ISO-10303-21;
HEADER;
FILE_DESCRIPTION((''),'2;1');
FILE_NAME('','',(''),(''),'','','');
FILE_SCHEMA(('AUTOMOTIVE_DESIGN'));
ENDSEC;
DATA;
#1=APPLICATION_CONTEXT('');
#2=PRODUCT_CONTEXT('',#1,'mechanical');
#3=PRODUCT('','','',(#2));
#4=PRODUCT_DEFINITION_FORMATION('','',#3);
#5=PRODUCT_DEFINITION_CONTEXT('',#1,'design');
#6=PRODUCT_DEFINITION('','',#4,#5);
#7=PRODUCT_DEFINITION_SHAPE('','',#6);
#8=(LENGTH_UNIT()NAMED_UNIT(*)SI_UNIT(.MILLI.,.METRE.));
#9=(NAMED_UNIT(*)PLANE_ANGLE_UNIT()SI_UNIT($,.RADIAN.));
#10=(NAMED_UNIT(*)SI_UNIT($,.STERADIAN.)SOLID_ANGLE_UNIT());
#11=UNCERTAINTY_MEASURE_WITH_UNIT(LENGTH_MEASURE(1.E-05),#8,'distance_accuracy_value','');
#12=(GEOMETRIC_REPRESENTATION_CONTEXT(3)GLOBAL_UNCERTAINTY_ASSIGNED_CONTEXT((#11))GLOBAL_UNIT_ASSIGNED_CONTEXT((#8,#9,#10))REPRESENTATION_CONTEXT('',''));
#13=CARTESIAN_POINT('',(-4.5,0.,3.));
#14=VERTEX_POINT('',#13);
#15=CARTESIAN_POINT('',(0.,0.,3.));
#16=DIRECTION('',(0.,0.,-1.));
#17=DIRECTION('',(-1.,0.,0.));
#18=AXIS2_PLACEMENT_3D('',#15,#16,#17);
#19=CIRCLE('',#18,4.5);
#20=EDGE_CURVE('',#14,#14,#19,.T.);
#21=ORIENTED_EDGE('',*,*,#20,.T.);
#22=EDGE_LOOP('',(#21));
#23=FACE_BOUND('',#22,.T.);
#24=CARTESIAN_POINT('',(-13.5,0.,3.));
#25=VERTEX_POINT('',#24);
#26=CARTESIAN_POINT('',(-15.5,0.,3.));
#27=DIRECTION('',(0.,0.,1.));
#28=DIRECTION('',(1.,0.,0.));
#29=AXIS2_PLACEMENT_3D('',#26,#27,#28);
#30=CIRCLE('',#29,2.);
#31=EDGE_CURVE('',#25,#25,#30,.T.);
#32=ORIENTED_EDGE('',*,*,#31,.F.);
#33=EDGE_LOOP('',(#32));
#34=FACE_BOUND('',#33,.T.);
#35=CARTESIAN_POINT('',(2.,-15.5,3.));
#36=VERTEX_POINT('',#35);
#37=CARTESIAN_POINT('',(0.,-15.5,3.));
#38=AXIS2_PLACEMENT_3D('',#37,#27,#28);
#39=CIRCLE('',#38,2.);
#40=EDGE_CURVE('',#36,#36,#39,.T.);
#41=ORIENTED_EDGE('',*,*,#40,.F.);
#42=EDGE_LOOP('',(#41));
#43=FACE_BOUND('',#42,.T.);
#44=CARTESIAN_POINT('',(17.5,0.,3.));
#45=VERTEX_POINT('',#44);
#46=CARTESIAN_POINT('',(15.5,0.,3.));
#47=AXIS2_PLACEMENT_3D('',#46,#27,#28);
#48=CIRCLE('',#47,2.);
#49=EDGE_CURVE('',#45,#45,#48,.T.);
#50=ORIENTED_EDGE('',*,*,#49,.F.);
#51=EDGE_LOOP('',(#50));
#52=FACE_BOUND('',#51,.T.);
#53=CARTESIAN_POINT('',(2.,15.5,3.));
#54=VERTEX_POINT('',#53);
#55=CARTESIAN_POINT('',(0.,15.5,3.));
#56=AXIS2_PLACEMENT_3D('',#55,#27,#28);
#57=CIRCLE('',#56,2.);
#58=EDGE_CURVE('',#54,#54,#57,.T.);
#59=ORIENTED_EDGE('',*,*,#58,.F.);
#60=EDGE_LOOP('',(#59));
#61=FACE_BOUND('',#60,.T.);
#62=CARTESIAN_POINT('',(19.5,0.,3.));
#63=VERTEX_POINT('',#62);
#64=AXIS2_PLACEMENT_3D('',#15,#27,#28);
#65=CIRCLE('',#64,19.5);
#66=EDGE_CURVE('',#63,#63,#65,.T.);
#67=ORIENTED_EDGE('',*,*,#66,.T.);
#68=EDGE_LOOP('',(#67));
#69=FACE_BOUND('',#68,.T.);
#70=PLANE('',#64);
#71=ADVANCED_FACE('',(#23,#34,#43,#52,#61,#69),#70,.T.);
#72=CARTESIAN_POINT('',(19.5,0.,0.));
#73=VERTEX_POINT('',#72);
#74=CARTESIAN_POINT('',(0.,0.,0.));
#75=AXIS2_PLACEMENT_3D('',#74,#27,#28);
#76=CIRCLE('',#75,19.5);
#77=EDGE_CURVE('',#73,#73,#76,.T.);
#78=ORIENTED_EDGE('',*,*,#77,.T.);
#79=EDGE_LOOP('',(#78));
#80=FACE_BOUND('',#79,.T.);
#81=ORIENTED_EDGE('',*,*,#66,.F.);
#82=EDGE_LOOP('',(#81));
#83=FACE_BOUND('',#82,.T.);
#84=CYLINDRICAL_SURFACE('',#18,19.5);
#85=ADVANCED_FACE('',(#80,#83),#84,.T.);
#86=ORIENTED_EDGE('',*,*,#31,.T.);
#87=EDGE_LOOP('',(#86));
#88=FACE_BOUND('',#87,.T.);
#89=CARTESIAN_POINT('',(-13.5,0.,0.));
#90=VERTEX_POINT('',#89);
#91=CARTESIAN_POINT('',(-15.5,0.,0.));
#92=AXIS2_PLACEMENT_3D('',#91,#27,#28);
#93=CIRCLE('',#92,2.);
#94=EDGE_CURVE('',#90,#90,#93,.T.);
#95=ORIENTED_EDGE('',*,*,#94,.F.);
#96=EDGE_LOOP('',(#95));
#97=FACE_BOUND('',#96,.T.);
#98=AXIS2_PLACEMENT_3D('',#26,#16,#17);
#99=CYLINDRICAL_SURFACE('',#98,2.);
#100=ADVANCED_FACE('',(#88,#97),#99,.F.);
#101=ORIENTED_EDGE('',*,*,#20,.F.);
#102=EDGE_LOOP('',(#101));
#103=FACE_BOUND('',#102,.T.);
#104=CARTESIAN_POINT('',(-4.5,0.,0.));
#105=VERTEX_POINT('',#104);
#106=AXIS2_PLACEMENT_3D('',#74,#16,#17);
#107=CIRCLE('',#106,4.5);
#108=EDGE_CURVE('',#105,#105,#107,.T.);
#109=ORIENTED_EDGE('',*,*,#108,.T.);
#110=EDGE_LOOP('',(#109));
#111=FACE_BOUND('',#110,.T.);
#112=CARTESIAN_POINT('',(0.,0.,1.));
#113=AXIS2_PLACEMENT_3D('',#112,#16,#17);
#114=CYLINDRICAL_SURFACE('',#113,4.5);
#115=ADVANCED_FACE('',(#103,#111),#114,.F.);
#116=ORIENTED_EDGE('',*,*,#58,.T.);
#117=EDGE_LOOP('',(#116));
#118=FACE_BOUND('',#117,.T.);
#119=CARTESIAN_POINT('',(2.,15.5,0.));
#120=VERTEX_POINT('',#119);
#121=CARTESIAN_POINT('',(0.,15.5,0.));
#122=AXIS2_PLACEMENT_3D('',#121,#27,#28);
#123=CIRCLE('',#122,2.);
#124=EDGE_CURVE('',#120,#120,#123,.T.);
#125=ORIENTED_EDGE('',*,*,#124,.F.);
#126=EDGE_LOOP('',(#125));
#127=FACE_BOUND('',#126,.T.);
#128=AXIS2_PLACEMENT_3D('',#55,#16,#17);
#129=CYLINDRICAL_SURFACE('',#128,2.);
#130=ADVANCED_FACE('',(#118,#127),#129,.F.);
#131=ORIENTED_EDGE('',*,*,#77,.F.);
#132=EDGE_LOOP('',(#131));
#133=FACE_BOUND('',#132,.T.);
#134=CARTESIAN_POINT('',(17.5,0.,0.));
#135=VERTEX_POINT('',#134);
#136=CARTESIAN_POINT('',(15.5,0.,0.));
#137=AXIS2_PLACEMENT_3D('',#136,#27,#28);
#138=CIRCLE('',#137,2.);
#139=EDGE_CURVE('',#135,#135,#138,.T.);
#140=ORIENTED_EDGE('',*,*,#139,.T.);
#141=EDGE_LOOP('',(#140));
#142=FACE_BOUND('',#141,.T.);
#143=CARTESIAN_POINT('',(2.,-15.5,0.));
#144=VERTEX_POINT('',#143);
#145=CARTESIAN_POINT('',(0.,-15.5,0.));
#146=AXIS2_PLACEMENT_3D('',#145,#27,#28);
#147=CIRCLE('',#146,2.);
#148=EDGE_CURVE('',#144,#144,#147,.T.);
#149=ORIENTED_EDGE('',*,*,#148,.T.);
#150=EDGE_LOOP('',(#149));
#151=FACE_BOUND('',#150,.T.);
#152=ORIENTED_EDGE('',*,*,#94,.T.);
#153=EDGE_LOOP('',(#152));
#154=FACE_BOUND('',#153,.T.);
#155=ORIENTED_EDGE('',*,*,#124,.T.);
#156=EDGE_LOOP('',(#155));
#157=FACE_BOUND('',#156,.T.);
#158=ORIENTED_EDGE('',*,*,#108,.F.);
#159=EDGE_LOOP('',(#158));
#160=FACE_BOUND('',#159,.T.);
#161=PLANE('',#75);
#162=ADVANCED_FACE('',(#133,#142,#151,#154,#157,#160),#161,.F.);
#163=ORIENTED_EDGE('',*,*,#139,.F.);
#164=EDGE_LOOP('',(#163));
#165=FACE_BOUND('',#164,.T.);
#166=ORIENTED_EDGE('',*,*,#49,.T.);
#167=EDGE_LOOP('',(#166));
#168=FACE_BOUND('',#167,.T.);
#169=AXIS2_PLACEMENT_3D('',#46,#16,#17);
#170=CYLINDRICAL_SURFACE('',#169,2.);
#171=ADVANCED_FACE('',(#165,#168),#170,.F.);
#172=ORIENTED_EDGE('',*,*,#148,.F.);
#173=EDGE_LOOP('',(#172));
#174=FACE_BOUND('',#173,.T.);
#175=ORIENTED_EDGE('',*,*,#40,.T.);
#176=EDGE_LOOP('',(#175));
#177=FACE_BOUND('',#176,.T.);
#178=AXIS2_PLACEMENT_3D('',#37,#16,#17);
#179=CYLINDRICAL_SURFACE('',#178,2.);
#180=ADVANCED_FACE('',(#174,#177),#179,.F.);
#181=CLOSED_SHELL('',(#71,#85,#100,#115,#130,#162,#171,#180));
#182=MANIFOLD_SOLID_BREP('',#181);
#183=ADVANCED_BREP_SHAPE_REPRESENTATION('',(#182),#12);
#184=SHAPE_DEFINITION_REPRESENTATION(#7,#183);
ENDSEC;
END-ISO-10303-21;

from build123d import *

# Parameters (mm, degrees)
CROQUIS1_R              = 19.5
CROQUIS1_R_2            = 2
SALIENTE_EXTRUIR1_DEPTH = 3
CROQUIS4_R              = 4.5
CORTAR_EXTRUIR1_DEPTH   = 1
CROQUIS4_2_R            = 4.5
CORTAR_EXTRUIR2_DEPTH   = 3


with BuildPart() as part:
    # Croquis1 → Saliente-Extruir1 (new body)
    with BuildSketch(Plane.XY):
        Circle(CROQUIS1_R)
        with Locations((0, -15.5)):
            Circle(CROQUIS1_R_2, mode=Mode.SUBTRACT)
        with Locations((15.5, 0)):
            Circle(CROQUIS1_R_2, mode=Mode.SUBTRACT)
        with Locations((0, 15.5)):
            Circle(CROQUIS1_R_2, mode=Mode.SUBTRACT)
        with Locations((-15.5, 0)):
            Circle(CROQUIS1_R_2, mode=Mode.SUBTRACT)
    extrude(amount=SALIENTE_EXTRUIR1_DEPTH)

    # Croquis4 → Cortar-Extruir1 (cut)
    with BuildSketch(Plane(origin=(0, 0, 0), x_dir=(-1, 0, 0), z_dir=(0, 0, -1))):
        Circle(CROQUIS4_R)
    extrude(amount=-CORTAR_EXTRUIR1_DEPTH, mode=Mode.SUBTRACT)

    # Croquis4<2> → Cortar-Extruir2 (cut)
    with BuildSketch(Plane(origin=(0, 0, 0), x_dir=(-1, 0, 0), z_dir=(0, 0, -1))):
        Circle(CROQUIS4_2_R)
    extrude(amount=-CORTAR_EXTRUIR2_DEPTH, mode=Mode.SUBTRACT)


solid = part.part
